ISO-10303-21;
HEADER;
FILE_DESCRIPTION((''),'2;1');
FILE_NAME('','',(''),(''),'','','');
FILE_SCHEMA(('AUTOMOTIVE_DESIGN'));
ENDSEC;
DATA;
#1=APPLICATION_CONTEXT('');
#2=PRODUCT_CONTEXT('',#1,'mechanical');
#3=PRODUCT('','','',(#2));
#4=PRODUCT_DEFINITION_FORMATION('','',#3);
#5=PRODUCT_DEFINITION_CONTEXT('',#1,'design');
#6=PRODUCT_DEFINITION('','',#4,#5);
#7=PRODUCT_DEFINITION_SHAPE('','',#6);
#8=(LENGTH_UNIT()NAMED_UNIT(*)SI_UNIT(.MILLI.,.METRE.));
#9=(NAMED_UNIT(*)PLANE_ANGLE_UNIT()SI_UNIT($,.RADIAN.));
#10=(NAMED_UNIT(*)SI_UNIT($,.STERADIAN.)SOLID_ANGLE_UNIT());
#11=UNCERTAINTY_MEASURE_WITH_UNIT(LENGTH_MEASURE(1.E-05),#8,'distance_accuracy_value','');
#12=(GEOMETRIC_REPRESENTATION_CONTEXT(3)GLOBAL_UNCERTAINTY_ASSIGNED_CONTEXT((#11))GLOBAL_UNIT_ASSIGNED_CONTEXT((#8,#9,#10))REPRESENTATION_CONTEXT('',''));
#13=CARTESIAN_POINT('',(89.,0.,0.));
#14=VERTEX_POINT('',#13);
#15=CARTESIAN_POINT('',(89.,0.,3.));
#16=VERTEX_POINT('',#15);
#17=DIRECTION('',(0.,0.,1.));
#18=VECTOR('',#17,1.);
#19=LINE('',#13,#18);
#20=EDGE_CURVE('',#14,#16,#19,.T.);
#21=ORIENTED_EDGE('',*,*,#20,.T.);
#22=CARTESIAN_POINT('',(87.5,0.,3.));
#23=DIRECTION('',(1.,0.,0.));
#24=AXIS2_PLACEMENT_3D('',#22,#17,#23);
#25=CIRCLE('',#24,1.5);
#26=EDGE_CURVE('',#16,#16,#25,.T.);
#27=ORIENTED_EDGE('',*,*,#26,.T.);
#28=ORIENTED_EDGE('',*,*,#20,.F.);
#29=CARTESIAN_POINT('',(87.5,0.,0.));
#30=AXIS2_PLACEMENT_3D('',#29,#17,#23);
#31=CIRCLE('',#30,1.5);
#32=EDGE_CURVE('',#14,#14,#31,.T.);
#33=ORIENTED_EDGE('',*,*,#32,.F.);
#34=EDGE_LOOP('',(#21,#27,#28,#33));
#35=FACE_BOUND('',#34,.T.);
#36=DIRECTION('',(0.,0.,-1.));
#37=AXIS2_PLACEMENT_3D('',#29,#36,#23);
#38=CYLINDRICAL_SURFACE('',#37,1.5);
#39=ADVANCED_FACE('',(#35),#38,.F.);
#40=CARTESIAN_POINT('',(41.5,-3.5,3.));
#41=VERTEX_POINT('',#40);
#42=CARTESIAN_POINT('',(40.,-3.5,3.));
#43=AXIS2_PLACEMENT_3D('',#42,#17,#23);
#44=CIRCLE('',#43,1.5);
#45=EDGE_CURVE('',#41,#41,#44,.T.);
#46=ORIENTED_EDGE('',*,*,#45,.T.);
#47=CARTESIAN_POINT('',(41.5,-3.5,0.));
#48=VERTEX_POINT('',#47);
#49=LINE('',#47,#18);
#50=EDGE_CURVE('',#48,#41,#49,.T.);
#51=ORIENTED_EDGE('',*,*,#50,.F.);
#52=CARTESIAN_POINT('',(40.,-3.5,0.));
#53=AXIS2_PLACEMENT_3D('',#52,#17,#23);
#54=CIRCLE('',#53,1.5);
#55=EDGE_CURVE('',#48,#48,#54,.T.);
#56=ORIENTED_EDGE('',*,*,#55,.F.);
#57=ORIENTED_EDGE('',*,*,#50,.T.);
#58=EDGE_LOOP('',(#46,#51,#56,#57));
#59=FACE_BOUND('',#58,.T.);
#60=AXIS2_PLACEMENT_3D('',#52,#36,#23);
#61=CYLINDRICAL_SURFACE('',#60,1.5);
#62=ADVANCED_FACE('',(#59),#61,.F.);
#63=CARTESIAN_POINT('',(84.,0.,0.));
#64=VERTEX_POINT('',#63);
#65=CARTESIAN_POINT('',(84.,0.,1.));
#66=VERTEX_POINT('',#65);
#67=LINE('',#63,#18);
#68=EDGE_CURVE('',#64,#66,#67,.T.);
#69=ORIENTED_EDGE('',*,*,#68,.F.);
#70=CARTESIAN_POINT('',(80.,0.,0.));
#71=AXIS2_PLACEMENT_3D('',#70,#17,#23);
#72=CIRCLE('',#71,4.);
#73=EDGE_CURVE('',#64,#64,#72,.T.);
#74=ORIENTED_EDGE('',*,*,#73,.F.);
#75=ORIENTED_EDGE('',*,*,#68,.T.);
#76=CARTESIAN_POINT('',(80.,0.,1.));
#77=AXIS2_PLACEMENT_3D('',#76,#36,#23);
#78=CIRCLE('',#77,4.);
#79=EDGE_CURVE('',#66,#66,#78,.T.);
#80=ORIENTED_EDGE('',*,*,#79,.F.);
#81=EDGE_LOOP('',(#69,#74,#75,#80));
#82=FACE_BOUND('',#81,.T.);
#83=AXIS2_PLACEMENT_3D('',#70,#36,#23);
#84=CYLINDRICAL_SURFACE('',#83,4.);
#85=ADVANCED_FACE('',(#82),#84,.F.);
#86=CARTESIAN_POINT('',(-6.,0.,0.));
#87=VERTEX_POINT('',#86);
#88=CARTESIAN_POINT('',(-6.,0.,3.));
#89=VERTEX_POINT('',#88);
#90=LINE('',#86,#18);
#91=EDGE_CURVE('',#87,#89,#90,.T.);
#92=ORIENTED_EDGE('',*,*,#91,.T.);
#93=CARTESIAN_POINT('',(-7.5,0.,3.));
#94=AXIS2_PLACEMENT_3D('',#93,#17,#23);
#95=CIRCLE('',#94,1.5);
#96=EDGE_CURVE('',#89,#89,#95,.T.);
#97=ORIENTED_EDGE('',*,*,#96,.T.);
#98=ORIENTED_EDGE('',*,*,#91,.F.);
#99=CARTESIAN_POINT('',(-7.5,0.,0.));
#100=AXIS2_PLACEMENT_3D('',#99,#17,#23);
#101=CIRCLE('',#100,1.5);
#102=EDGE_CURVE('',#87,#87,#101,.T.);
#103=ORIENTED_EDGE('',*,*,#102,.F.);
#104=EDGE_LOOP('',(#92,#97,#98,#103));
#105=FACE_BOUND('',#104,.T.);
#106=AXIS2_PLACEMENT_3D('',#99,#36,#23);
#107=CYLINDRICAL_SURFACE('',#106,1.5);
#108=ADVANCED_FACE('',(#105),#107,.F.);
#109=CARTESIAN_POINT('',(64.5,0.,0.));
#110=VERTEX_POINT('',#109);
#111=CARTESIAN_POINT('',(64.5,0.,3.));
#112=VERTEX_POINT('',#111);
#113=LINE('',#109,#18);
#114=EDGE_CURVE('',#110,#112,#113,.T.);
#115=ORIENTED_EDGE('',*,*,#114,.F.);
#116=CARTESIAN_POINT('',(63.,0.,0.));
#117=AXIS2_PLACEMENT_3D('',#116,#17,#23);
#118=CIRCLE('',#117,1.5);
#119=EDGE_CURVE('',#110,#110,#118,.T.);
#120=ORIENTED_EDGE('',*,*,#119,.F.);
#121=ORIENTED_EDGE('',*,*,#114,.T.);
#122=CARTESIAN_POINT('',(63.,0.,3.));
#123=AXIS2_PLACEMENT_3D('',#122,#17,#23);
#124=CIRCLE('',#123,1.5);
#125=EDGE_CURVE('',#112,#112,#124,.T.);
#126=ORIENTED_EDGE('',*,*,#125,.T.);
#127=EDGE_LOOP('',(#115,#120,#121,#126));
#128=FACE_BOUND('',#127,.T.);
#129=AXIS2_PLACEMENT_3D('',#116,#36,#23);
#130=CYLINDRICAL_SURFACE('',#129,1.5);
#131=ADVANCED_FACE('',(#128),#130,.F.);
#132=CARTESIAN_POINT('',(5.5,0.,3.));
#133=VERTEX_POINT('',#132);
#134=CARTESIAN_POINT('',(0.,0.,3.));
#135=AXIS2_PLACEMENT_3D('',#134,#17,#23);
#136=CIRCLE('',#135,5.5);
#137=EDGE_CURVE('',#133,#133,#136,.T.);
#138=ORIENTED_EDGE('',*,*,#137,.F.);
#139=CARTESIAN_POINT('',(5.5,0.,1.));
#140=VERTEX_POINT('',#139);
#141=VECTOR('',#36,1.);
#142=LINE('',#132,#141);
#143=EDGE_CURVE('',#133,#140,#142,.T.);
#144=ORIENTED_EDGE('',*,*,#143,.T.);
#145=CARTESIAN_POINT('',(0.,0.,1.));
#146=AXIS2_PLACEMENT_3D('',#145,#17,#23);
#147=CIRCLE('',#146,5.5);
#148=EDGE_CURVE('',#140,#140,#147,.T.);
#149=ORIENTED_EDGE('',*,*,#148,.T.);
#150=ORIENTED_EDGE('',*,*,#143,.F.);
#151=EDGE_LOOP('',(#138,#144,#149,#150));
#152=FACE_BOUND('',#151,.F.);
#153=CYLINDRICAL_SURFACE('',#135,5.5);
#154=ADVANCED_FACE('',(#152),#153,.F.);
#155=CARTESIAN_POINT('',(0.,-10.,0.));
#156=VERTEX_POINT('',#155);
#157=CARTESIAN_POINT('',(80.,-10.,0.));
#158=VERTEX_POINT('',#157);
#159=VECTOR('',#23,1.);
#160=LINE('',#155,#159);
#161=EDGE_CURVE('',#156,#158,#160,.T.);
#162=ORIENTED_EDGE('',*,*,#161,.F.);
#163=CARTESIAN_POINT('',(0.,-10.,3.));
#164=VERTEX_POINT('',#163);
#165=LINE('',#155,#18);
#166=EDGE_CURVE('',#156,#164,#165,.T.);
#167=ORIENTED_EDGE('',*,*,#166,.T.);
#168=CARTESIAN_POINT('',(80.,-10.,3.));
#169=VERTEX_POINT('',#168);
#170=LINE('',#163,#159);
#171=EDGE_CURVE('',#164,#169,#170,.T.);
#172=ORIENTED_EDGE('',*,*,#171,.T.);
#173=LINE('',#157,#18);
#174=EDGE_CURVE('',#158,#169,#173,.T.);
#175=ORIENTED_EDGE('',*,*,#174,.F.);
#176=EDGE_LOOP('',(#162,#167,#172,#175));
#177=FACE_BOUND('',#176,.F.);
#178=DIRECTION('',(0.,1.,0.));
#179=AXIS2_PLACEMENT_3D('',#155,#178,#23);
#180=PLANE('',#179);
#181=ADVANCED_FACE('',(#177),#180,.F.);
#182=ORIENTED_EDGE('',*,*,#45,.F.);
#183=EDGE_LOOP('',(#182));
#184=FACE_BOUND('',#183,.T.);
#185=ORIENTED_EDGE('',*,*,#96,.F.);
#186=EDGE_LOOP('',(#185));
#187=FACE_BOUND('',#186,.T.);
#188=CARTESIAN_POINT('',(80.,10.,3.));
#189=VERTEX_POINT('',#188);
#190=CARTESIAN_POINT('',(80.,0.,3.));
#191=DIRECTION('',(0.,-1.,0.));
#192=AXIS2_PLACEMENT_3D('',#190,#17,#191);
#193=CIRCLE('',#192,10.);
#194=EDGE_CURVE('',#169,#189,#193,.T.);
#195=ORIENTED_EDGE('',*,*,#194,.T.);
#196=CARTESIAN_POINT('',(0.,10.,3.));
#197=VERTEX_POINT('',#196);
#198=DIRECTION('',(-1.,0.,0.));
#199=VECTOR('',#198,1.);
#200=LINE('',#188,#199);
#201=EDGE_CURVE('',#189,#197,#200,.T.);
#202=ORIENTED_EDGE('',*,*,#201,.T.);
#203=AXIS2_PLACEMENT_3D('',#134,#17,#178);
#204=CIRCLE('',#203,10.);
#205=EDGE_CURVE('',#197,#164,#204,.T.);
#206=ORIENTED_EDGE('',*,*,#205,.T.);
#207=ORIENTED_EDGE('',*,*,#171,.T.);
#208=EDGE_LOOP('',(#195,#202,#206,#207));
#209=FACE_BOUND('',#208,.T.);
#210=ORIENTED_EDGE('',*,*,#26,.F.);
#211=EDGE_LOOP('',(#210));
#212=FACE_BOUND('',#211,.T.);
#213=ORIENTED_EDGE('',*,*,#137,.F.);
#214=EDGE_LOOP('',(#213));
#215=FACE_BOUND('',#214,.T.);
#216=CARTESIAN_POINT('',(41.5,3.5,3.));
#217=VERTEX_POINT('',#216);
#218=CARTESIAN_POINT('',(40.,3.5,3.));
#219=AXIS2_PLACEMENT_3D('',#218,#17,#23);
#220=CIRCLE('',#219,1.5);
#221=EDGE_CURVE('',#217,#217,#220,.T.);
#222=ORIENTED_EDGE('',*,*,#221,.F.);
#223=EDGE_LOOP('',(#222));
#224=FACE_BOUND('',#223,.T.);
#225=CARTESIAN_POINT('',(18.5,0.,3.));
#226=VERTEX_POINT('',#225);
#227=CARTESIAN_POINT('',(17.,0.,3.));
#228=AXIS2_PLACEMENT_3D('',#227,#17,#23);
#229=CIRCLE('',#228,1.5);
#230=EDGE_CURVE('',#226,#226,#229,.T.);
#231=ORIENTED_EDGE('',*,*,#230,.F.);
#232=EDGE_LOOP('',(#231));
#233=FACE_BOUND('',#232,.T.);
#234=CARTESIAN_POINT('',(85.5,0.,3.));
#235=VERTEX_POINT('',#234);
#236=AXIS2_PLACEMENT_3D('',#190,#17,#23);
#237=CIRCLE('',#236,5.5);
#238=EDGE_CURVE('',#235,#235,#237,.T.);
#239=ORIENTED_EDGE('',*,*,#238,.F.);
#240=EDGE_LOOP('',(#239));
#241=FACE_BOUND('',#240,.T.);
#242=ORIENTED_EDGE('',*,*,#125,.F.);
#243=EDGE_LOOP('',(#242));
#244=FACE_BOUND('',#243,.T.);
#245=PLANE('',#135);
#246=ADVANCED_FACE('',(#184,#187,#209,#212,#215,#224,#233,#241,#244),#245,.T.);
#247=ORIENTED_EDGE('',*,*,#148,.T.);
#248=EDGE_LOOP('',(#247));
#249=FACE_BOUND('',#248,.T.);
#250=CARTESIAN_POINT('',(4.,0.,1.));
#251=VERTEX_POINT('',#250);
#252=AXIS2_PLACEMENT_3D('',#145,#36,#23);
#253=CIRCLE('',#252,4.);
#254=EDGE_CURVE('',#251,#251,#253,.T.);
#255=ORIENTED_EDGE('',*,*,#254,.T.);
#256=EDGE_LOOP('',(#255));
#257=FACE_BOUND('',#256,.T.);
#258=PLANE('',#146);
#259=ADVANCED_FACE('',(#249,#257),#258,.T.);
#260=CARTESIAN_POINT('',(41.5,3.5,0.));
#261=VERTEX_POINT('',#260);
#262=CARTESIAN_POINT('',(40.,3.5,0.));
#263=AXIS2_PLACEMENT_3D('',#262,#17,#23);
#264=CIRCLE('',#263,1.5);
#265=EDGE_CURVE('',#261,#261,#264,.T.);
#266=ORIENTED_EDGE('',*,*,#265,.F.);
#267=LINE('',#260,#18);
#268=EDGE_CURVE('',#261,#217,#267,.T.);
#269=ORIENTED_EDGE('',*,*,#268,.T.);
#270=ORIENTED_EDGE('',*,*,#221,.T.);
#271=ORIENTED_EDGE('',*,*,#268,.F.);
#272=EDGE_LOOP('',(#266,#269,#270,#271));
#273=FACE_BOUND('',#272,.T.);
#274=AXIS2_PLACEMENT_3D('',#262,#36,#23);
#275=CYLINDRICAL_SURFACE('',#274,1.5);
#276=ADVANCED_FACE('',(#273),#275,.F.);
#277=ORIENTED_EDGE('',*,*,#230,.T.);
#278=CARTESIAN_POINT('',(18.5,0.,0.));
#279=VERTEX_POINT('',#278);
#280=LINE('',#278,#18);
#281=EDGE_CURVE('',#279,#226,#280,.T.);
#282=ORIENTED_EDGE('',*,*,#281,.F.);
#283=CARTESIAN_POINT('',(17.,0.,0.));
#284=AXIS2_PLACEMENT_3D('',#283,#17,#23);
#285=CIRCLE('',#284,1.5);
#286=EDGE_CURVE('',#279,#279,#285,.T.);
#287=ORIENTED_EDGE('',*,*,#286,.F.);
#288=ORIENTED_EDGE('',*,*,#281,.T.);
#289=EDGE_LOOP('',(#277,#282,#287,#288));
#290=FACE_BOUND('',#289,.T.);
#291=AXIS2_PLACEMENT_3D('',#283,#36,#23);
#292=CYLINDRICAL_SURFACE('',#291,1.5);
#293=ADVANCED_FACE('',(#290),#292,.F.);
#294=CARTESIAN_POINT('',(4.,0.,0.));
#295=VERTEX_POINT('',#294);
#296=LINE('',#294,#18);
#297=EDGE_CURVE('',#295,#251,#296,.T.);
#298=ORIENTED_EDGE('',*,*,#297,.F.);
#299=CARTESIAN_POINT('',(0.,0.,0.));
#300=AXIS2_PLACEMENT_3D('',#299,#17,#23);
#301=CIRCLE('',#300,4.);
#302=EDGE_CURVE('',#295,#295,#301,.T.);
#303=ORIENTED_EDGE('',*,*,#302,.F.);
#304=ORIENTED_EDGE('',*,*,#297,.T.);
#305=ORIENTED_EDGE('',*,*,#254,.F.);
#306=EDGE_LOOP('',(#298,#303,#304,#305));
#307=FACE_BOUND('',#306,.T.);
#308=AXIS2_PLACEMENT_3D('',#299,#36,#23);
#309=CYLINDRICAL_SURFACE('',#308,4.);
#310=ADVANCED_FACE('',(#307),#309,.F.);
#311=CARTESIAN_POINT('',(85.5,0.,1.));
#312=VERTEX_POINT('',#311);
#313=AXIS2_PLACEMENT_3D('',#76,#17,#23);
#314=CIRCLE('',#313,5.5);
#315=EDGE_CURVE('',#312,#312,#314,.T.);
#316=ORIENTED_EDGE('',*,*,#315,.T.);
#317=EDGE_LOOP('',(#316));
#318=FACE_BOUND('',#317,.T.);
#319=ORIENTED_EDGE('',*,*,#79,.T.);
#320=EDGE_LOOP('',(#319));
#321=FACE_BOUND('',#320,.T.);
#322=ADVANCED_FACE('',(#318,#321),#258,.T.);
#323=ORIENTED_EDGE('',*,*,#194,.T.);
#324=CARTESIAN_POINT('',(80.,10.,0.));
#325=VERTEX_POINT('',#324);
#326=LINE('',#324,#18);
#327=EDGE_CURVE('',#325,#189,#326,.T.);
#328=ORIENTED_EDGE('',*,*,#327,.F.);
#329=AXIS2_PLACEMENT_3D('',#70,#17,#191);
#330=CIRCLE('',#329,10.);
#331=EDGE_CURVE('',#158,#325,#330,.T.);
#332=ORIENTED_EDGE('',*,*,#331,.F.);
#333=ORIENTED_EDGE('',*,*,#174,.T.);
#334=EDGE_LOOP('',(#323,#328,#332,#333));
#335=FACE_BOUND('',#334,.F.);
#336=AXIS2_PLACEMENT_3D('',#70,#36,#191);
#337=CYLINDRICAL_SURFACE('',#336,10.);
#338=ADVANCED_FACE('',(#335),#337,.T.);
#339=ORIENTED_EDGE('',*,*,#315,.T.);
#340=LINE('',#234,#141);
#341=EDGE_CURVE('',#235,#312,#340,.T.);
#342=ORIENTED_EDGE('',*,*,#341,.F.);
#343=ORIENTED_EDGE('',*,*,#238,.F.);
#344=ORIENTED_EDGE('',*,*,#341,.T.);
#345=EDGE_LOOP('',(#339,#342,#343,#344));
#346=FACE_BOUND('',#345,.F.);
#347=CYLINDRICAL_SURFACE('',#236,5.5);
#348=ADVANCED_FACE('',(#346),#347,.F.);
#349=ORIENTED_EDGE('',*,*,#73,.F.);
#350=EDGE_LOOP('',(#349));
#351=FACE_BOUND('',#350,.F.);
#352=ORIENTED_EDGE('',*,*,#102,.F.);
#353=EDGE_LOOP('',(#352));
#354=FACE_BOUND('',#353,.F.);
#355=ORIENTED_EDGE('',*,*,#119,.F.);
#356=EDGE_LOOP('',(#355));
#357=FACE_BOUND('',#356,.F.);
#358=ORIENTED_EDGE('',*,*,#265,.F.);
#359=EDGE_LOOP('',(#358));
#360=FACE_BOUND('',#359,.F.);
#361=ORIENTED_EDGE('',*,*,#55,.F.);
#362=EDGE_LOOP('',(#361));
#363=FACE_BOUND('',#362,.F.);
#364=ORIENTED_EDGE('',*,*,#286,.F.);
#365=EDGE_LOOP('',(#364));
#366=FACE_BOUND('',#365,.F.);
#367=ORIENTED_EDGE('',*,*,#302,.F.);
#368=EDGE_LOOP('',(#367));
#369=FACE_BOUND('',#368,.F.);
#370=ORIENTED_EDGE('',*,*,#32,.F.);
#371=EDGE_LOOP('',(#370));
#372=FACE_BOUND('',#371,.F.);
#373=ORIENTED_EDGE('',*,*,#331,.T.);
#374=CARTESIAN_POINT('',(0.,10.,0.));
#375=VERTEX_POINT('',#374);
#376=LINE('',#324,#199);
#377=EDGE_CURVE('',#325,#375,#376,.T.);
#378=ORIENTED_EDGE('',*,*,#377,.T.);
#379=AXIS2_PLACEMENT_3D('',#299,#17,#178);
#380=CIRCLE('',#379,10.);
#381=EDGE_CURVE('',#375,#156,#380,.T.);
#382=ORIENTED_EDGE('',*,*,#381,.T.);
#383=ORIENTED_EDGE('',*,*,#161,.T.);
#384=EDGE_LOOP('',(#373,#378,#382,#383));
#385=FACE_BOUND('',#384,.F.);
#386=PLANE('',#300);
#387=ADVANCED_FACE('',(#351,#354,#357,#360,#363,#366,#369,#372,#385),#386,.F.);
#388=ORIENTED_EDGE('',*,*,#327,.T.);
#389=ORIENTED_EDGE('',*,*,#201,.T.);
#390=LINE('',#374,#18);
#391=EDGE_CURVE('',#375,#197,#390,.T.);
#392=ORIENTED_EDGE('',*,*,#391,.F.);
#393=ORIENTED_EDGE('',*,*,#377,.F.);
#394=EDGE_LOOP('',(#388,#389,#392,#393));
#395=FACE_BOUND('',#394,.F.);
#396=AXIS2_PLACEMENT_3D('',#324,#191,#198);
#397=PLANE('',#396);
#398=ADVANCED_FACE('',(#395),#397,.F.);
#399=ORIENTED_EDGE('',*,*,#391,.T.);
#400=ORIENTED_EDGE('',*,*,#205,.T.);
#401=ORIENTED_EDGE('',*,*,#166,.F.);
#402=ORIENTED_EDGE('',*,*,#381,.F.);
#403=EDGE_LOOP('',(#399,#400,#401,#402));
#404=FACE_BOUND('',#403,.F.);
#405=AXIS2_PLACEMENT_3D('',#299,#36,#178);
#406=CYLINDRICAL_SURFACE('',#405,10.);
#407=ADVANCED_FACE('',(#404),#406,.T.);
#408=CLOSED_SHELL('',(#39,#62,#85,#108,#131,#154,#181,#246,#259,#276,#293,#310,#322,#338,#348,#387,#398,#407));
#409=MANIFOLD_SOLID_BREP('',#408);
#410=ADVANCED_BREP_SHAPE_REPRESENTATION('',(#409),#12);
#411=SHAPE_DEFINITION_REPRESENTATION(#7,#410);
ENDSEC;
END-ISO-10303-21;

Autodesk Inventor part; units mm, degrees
ref_plane "YZ Plane" through (0, 0, 0) normal (1, 0, 0) x (0, 1, 0)
ref_plane "XZ Plane" through (0, 0, 0) normal (0, 1, 0) x (-1, 0, 0)
ref_plane "XY Plane" through (0, 0, 0) normal (0, 0, 1) x (1, 0, 0)
sketch "Sketch1" plane through (0, 0, 0) normal (0, 0, 1) x (1, 0, 0)
  line L0 (0, 0) -> (80, 0) construction
  line L1 (0, -10) -> (80, -10)
  line L2 (80, 10) -> (0, 10)
  arc A0 (0, 10) -> (0, -10) centre (0, 0) ccw
  arc A1 (80, -10) -> (80, 10) centre (80, 0) ccw
  line L3 (0, 0) -> (80, 0) construction
  circle A2 centre (0, 0) radius 4
  circle A3 centre (80, 0) radius 4
  circle A4 centre (40, 3.5) radius 1.5
  circle A5 centre (40, -3.5) radius 1.5
  circle A6 centre (87.5, 0) radius 1.5
  circle A7 centre (-7.5, 0) radius 1.5
  circle A8 centre (17, 0) radius 1.5
  circle A9 centre (63, 0) radius 1.5
  point P0 (40, 0)
  point P1 (40, 0)
  dimension "d0" = 80
  dimension "d1" = 0
  dimension "d2" = 20
  dimension "d3" = 8
  dimension "d4" = 8
  dimension "d5" = 3
  dimension "d6" = 3
  dimension "d7" = 3
  dimension "d8" = 3
  dimension "d9" = 0
  dimension "d10" = 7.5
  dimension "d11" = 0
  dimension "d12" = 7.5
  dimension "d13" = 3
  dimension "d14" = 3
  dimension "d15" = 3.5
  dimension "d16" = 3.5
  dimension "d17" = 17
  dimension "d18" = 17
  dimension "d19" = 0
  dimension "d20" = 0
extrude "Extrusion1" add sketch "Sketch1" along normal blind 3
sketch "Sketch2" plane through (0, 0, 3) normal (0, 0, 1) x (1, 0, 0)
  circle A0 centre (0, 0) radius 4 projected
  circle A1 centre (80, 0) radius 4 projected
  circle A2 centre (0, 0) radius 5.5
  circle A3 centre (80, 0) radius 5.5
  dimension "d23" = 11
  dimension "d24" = 11
extrude "Extrusion2" cut sketch "Sketch2" against normal blind 2 contours A0 | A1 | A2 | A3
properties part number "Arm4" material "Aluminum 6061, Welded"
